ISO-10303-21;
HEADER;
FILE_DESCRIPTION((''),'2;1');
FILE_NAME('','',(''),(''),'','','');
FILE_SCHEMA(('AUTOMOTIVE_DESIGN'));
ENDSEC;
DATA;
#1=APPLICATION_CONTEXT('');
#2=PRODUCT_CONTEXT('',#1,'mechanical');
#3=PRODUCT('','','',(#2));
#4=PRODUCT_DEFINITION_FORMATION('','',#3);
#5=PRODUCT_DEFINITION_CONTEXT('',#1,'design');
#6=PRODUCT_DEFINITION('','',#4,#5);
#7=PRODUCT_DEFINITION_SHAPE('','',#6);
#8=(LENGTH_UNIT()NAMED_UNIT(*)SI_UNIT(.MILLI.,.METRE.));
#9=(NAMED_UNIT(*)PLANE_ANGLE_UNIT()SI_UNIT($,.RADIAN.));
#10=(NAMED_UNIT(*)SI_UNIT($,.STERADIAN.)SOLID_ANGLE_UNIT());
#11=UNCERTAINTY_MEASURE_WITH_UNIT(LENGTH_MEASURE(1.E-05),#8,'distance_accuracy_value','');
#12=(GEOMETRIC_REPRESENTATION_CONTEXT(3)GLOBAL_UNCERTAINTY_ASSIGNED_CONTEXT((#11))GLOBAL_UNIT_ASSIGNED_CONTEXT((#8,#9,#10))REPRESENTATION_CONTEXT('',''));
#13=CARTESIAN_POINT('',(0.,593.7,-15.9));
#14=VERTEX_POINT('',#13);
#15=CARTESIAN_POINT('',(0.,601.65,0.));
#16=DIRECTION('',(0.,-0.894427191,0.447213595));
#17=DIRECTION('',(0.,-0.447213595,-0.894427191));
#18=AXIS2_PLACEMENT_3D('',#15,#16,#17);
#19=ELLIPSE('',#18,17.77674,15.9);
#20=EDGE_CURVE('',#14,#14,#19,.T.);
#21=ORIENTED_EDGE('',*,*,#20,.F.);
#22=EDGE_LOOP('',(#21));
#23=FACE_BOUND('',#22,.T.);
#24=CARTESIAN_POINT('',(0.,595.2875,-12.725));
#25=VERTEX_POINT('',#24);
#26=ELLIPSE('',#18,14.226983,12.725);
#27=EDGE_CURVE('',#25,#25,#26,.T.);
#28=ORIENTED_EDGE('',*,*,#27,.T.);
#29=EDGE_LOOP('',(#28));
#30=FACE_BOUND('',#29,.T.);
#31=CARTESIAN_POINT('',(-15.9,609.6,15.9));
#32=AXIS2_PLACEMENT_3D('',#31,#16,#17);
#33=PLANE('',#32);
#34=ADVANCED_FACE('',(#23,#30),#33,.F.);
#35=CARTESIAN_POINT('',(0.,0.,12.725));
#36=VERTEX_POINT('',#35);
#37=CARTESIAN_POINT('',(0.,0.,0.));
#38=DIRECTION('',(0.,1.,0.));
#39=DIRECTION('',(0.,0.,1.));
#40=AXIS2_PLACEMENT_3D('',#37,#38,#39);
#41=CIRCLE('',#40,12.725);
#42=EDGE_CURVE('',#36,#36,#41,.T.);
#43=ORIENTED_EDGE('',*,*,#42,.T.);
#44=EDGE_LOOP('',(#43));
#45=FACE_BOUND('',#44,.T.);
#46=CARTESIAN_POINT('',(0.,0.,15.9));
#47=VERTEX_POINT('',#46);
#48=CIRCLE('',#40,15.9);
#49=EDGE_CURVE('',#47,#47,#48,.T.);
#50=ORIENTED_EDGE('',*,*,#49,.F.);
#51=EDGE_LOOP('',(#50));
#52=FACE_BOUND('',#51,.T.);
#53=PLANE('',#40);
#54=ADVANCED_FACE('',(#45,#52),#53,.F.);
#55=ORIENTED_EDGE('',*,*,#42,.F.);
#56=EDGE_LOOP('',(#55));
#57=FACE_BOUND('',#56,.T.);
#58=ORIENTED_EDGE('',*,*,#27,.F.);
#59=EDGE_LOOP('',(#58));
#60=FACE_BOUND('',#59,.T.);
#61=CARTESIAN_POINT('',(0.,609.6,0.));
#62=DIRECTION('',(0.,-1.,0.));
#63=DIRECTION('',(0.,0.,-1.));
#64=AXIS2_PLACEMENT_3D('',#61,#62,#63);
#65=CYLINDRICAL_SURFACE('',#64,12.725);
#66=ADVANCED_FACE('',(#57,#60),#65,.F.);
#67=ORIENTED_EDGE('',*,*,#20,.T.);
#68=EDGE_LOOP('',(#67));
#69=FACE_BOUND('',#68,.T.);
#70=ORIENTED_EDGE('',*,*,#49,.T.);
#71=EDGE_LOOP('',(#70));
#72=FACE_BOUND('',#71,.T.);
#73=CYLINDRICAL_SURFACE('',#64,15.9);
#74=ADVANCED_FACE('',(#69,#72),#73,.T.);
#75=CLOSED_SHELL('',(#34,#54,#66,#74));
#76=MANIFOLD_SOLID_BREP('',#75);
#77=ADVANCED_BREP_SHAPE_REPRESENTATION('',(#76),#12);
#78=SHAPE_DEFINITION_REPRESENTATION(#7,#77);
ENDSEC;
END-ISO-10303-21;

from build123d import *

# Parameters (mm, degrees)
SKETCH1_R               = 15.9
SKETCH1_R_2             = 12.725
BOSS_EXTRUDE1_DEPTH     = 609.6
CUT_EXTRUDE1_DEPTH      = 16.9
CUT_EXTRUDE1_DEPTH_BACK = 16.9


with BuildPart() as part:
    # Sketch1 → Boss-Extrude1 (new body)
    with BuildSketch(Plane(origin=(0, 0, 0), x_dir=(1, 0, 0), z_dir=(0, 1, 0))):
        Circle(SKETCH1_R)
        Circle(SKETCH1_R_2, mode=Mode.SUBTRACT)
    extrude(amount=BOSS_EXTRUDE1_DEPTH)

    # Sketch2 → Cut-Extrude1 (cut, two sides)
    with BuildSketch(Plane(origin=(0, 0, 0), x_dir=(0, 0, -1), z_dir=(1, 0, 0))) as cut_extrude1_sk:
        Polygon((15.9, 609.6), (-15.9, 609.6), (15.9, 593.7), align=None)
    extrude(amount=CUT_EXTRUDE1_DEPTH, mode=Mode.SUBTRACT)
    extrude(cut_extrude1_sk.sketch, amount=-CUT_EXTRUDE1_DEPTH_BACK, mode=Mode.SUBTRACT)


solid = part.part
